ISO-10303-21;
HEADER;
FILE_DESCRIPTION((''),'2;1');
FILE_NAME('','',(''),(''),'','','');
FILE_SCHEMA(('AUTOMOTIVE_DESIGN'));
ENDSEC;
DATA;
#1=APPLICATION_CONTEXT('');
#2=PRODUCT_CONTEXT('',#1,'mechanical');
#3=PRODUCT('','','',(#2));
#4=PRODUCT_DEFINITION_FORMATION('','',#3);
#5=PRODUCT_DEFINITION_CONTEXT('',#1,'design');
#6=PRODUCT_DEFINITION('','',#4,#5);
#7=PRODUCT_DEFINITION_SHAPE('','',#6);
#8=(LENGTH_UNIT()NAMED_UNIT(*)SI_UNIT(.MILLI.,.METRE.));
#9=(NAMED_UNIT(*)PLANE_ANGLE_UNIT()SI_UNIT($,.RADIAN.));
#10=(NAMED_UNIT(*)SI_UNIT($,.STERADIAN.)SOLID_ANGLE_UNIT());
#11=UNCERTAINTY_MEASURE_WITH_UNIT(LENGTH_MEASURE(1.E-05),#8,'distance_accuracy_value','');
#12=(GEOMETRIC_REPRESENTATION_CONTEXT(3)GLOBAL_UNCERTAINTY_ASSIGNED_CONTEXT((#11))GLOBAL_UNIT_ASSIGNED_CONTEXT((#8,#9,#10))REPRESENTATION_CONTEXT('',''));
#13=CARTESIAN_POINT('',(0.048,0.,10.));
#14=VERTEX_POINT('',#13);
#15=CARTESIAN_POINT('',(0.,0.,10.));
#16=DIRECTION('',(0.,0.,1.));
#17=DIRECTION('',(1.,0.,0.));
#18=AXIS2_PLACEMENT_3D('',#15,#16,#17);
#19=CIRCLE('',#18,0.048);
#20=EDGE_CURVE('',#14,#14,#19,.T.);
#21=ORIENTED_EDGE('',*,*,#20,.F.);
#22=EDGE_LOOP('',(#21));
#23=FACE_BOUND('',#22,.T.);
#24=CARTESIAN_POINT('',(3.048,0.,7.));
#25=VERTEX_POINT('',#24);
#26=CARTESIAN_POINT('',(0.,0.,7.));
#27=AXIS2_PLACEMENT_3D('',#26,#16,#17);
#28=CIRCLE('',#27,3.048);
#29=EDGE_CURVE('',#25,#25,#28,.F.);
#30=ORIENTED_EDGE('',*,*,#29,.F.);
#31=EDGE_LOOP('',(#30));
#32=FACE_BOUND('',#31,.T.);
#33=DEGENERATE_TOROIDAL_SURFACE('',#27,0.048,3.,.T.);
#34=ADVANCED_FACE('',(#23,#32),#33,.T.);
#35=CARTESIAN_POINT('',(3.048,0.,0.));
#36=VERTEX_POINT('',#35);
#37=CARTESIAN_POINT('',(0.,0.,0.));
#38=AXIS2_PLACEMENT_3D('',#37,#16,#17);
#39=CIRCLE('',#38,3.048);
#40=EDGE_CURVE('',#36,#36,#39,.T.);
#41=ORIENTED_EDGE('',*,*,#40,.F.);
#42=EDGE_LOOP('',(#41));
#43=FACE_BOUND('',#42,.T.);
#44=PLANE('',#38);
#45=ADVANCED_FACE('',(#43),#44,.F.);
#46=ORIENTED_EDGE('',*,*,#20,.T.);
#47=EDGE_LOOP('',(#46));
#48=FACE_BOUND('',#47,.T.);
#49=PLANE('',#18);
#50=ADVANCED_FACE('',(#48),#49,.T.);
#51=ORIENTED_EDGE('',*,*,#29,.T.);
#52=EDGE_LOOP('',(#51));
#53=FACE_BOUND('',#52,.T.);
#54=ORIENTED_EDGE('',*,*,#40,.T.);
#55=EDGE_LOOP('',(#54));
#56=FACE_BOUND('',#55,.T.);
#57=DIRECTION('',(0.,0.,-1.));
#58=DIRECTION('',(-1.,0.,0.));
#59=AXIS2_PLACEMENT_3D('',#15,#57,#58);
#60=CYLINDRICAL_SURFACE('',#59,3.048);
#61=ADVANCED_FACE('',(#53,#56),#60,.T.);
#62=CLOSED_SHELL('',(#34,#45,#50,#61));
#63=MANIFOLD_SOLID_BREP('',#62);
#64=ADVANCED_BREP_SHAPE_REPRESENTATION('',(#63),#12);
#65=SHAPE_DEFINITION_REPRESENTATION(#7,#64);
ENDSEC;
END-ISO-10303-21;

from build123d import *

# Parameters (mm, degrees)
SKETCH1_R           = 3.048
BOSS_EXTRUDE1_DEPTH = 10
FILLET2_R           = 3


with BuildPart() as part:
    # Sketch1 → Boss-Extrude1 (new body)
    with BuildSketch(Plane.XY):
        Circle(SKETCH1_R)
    extrude(amount=BOSS_EXTRUDE1_DEPTH)

    # Fillet2
    fillet2_edges = [part.edges().sort_by_distance(p)[0] for p in [
        (-3.048, 0, 10),
    ]]
    fillet(fillet2_edges, radius=FILLET2_R)


solid = part.part
